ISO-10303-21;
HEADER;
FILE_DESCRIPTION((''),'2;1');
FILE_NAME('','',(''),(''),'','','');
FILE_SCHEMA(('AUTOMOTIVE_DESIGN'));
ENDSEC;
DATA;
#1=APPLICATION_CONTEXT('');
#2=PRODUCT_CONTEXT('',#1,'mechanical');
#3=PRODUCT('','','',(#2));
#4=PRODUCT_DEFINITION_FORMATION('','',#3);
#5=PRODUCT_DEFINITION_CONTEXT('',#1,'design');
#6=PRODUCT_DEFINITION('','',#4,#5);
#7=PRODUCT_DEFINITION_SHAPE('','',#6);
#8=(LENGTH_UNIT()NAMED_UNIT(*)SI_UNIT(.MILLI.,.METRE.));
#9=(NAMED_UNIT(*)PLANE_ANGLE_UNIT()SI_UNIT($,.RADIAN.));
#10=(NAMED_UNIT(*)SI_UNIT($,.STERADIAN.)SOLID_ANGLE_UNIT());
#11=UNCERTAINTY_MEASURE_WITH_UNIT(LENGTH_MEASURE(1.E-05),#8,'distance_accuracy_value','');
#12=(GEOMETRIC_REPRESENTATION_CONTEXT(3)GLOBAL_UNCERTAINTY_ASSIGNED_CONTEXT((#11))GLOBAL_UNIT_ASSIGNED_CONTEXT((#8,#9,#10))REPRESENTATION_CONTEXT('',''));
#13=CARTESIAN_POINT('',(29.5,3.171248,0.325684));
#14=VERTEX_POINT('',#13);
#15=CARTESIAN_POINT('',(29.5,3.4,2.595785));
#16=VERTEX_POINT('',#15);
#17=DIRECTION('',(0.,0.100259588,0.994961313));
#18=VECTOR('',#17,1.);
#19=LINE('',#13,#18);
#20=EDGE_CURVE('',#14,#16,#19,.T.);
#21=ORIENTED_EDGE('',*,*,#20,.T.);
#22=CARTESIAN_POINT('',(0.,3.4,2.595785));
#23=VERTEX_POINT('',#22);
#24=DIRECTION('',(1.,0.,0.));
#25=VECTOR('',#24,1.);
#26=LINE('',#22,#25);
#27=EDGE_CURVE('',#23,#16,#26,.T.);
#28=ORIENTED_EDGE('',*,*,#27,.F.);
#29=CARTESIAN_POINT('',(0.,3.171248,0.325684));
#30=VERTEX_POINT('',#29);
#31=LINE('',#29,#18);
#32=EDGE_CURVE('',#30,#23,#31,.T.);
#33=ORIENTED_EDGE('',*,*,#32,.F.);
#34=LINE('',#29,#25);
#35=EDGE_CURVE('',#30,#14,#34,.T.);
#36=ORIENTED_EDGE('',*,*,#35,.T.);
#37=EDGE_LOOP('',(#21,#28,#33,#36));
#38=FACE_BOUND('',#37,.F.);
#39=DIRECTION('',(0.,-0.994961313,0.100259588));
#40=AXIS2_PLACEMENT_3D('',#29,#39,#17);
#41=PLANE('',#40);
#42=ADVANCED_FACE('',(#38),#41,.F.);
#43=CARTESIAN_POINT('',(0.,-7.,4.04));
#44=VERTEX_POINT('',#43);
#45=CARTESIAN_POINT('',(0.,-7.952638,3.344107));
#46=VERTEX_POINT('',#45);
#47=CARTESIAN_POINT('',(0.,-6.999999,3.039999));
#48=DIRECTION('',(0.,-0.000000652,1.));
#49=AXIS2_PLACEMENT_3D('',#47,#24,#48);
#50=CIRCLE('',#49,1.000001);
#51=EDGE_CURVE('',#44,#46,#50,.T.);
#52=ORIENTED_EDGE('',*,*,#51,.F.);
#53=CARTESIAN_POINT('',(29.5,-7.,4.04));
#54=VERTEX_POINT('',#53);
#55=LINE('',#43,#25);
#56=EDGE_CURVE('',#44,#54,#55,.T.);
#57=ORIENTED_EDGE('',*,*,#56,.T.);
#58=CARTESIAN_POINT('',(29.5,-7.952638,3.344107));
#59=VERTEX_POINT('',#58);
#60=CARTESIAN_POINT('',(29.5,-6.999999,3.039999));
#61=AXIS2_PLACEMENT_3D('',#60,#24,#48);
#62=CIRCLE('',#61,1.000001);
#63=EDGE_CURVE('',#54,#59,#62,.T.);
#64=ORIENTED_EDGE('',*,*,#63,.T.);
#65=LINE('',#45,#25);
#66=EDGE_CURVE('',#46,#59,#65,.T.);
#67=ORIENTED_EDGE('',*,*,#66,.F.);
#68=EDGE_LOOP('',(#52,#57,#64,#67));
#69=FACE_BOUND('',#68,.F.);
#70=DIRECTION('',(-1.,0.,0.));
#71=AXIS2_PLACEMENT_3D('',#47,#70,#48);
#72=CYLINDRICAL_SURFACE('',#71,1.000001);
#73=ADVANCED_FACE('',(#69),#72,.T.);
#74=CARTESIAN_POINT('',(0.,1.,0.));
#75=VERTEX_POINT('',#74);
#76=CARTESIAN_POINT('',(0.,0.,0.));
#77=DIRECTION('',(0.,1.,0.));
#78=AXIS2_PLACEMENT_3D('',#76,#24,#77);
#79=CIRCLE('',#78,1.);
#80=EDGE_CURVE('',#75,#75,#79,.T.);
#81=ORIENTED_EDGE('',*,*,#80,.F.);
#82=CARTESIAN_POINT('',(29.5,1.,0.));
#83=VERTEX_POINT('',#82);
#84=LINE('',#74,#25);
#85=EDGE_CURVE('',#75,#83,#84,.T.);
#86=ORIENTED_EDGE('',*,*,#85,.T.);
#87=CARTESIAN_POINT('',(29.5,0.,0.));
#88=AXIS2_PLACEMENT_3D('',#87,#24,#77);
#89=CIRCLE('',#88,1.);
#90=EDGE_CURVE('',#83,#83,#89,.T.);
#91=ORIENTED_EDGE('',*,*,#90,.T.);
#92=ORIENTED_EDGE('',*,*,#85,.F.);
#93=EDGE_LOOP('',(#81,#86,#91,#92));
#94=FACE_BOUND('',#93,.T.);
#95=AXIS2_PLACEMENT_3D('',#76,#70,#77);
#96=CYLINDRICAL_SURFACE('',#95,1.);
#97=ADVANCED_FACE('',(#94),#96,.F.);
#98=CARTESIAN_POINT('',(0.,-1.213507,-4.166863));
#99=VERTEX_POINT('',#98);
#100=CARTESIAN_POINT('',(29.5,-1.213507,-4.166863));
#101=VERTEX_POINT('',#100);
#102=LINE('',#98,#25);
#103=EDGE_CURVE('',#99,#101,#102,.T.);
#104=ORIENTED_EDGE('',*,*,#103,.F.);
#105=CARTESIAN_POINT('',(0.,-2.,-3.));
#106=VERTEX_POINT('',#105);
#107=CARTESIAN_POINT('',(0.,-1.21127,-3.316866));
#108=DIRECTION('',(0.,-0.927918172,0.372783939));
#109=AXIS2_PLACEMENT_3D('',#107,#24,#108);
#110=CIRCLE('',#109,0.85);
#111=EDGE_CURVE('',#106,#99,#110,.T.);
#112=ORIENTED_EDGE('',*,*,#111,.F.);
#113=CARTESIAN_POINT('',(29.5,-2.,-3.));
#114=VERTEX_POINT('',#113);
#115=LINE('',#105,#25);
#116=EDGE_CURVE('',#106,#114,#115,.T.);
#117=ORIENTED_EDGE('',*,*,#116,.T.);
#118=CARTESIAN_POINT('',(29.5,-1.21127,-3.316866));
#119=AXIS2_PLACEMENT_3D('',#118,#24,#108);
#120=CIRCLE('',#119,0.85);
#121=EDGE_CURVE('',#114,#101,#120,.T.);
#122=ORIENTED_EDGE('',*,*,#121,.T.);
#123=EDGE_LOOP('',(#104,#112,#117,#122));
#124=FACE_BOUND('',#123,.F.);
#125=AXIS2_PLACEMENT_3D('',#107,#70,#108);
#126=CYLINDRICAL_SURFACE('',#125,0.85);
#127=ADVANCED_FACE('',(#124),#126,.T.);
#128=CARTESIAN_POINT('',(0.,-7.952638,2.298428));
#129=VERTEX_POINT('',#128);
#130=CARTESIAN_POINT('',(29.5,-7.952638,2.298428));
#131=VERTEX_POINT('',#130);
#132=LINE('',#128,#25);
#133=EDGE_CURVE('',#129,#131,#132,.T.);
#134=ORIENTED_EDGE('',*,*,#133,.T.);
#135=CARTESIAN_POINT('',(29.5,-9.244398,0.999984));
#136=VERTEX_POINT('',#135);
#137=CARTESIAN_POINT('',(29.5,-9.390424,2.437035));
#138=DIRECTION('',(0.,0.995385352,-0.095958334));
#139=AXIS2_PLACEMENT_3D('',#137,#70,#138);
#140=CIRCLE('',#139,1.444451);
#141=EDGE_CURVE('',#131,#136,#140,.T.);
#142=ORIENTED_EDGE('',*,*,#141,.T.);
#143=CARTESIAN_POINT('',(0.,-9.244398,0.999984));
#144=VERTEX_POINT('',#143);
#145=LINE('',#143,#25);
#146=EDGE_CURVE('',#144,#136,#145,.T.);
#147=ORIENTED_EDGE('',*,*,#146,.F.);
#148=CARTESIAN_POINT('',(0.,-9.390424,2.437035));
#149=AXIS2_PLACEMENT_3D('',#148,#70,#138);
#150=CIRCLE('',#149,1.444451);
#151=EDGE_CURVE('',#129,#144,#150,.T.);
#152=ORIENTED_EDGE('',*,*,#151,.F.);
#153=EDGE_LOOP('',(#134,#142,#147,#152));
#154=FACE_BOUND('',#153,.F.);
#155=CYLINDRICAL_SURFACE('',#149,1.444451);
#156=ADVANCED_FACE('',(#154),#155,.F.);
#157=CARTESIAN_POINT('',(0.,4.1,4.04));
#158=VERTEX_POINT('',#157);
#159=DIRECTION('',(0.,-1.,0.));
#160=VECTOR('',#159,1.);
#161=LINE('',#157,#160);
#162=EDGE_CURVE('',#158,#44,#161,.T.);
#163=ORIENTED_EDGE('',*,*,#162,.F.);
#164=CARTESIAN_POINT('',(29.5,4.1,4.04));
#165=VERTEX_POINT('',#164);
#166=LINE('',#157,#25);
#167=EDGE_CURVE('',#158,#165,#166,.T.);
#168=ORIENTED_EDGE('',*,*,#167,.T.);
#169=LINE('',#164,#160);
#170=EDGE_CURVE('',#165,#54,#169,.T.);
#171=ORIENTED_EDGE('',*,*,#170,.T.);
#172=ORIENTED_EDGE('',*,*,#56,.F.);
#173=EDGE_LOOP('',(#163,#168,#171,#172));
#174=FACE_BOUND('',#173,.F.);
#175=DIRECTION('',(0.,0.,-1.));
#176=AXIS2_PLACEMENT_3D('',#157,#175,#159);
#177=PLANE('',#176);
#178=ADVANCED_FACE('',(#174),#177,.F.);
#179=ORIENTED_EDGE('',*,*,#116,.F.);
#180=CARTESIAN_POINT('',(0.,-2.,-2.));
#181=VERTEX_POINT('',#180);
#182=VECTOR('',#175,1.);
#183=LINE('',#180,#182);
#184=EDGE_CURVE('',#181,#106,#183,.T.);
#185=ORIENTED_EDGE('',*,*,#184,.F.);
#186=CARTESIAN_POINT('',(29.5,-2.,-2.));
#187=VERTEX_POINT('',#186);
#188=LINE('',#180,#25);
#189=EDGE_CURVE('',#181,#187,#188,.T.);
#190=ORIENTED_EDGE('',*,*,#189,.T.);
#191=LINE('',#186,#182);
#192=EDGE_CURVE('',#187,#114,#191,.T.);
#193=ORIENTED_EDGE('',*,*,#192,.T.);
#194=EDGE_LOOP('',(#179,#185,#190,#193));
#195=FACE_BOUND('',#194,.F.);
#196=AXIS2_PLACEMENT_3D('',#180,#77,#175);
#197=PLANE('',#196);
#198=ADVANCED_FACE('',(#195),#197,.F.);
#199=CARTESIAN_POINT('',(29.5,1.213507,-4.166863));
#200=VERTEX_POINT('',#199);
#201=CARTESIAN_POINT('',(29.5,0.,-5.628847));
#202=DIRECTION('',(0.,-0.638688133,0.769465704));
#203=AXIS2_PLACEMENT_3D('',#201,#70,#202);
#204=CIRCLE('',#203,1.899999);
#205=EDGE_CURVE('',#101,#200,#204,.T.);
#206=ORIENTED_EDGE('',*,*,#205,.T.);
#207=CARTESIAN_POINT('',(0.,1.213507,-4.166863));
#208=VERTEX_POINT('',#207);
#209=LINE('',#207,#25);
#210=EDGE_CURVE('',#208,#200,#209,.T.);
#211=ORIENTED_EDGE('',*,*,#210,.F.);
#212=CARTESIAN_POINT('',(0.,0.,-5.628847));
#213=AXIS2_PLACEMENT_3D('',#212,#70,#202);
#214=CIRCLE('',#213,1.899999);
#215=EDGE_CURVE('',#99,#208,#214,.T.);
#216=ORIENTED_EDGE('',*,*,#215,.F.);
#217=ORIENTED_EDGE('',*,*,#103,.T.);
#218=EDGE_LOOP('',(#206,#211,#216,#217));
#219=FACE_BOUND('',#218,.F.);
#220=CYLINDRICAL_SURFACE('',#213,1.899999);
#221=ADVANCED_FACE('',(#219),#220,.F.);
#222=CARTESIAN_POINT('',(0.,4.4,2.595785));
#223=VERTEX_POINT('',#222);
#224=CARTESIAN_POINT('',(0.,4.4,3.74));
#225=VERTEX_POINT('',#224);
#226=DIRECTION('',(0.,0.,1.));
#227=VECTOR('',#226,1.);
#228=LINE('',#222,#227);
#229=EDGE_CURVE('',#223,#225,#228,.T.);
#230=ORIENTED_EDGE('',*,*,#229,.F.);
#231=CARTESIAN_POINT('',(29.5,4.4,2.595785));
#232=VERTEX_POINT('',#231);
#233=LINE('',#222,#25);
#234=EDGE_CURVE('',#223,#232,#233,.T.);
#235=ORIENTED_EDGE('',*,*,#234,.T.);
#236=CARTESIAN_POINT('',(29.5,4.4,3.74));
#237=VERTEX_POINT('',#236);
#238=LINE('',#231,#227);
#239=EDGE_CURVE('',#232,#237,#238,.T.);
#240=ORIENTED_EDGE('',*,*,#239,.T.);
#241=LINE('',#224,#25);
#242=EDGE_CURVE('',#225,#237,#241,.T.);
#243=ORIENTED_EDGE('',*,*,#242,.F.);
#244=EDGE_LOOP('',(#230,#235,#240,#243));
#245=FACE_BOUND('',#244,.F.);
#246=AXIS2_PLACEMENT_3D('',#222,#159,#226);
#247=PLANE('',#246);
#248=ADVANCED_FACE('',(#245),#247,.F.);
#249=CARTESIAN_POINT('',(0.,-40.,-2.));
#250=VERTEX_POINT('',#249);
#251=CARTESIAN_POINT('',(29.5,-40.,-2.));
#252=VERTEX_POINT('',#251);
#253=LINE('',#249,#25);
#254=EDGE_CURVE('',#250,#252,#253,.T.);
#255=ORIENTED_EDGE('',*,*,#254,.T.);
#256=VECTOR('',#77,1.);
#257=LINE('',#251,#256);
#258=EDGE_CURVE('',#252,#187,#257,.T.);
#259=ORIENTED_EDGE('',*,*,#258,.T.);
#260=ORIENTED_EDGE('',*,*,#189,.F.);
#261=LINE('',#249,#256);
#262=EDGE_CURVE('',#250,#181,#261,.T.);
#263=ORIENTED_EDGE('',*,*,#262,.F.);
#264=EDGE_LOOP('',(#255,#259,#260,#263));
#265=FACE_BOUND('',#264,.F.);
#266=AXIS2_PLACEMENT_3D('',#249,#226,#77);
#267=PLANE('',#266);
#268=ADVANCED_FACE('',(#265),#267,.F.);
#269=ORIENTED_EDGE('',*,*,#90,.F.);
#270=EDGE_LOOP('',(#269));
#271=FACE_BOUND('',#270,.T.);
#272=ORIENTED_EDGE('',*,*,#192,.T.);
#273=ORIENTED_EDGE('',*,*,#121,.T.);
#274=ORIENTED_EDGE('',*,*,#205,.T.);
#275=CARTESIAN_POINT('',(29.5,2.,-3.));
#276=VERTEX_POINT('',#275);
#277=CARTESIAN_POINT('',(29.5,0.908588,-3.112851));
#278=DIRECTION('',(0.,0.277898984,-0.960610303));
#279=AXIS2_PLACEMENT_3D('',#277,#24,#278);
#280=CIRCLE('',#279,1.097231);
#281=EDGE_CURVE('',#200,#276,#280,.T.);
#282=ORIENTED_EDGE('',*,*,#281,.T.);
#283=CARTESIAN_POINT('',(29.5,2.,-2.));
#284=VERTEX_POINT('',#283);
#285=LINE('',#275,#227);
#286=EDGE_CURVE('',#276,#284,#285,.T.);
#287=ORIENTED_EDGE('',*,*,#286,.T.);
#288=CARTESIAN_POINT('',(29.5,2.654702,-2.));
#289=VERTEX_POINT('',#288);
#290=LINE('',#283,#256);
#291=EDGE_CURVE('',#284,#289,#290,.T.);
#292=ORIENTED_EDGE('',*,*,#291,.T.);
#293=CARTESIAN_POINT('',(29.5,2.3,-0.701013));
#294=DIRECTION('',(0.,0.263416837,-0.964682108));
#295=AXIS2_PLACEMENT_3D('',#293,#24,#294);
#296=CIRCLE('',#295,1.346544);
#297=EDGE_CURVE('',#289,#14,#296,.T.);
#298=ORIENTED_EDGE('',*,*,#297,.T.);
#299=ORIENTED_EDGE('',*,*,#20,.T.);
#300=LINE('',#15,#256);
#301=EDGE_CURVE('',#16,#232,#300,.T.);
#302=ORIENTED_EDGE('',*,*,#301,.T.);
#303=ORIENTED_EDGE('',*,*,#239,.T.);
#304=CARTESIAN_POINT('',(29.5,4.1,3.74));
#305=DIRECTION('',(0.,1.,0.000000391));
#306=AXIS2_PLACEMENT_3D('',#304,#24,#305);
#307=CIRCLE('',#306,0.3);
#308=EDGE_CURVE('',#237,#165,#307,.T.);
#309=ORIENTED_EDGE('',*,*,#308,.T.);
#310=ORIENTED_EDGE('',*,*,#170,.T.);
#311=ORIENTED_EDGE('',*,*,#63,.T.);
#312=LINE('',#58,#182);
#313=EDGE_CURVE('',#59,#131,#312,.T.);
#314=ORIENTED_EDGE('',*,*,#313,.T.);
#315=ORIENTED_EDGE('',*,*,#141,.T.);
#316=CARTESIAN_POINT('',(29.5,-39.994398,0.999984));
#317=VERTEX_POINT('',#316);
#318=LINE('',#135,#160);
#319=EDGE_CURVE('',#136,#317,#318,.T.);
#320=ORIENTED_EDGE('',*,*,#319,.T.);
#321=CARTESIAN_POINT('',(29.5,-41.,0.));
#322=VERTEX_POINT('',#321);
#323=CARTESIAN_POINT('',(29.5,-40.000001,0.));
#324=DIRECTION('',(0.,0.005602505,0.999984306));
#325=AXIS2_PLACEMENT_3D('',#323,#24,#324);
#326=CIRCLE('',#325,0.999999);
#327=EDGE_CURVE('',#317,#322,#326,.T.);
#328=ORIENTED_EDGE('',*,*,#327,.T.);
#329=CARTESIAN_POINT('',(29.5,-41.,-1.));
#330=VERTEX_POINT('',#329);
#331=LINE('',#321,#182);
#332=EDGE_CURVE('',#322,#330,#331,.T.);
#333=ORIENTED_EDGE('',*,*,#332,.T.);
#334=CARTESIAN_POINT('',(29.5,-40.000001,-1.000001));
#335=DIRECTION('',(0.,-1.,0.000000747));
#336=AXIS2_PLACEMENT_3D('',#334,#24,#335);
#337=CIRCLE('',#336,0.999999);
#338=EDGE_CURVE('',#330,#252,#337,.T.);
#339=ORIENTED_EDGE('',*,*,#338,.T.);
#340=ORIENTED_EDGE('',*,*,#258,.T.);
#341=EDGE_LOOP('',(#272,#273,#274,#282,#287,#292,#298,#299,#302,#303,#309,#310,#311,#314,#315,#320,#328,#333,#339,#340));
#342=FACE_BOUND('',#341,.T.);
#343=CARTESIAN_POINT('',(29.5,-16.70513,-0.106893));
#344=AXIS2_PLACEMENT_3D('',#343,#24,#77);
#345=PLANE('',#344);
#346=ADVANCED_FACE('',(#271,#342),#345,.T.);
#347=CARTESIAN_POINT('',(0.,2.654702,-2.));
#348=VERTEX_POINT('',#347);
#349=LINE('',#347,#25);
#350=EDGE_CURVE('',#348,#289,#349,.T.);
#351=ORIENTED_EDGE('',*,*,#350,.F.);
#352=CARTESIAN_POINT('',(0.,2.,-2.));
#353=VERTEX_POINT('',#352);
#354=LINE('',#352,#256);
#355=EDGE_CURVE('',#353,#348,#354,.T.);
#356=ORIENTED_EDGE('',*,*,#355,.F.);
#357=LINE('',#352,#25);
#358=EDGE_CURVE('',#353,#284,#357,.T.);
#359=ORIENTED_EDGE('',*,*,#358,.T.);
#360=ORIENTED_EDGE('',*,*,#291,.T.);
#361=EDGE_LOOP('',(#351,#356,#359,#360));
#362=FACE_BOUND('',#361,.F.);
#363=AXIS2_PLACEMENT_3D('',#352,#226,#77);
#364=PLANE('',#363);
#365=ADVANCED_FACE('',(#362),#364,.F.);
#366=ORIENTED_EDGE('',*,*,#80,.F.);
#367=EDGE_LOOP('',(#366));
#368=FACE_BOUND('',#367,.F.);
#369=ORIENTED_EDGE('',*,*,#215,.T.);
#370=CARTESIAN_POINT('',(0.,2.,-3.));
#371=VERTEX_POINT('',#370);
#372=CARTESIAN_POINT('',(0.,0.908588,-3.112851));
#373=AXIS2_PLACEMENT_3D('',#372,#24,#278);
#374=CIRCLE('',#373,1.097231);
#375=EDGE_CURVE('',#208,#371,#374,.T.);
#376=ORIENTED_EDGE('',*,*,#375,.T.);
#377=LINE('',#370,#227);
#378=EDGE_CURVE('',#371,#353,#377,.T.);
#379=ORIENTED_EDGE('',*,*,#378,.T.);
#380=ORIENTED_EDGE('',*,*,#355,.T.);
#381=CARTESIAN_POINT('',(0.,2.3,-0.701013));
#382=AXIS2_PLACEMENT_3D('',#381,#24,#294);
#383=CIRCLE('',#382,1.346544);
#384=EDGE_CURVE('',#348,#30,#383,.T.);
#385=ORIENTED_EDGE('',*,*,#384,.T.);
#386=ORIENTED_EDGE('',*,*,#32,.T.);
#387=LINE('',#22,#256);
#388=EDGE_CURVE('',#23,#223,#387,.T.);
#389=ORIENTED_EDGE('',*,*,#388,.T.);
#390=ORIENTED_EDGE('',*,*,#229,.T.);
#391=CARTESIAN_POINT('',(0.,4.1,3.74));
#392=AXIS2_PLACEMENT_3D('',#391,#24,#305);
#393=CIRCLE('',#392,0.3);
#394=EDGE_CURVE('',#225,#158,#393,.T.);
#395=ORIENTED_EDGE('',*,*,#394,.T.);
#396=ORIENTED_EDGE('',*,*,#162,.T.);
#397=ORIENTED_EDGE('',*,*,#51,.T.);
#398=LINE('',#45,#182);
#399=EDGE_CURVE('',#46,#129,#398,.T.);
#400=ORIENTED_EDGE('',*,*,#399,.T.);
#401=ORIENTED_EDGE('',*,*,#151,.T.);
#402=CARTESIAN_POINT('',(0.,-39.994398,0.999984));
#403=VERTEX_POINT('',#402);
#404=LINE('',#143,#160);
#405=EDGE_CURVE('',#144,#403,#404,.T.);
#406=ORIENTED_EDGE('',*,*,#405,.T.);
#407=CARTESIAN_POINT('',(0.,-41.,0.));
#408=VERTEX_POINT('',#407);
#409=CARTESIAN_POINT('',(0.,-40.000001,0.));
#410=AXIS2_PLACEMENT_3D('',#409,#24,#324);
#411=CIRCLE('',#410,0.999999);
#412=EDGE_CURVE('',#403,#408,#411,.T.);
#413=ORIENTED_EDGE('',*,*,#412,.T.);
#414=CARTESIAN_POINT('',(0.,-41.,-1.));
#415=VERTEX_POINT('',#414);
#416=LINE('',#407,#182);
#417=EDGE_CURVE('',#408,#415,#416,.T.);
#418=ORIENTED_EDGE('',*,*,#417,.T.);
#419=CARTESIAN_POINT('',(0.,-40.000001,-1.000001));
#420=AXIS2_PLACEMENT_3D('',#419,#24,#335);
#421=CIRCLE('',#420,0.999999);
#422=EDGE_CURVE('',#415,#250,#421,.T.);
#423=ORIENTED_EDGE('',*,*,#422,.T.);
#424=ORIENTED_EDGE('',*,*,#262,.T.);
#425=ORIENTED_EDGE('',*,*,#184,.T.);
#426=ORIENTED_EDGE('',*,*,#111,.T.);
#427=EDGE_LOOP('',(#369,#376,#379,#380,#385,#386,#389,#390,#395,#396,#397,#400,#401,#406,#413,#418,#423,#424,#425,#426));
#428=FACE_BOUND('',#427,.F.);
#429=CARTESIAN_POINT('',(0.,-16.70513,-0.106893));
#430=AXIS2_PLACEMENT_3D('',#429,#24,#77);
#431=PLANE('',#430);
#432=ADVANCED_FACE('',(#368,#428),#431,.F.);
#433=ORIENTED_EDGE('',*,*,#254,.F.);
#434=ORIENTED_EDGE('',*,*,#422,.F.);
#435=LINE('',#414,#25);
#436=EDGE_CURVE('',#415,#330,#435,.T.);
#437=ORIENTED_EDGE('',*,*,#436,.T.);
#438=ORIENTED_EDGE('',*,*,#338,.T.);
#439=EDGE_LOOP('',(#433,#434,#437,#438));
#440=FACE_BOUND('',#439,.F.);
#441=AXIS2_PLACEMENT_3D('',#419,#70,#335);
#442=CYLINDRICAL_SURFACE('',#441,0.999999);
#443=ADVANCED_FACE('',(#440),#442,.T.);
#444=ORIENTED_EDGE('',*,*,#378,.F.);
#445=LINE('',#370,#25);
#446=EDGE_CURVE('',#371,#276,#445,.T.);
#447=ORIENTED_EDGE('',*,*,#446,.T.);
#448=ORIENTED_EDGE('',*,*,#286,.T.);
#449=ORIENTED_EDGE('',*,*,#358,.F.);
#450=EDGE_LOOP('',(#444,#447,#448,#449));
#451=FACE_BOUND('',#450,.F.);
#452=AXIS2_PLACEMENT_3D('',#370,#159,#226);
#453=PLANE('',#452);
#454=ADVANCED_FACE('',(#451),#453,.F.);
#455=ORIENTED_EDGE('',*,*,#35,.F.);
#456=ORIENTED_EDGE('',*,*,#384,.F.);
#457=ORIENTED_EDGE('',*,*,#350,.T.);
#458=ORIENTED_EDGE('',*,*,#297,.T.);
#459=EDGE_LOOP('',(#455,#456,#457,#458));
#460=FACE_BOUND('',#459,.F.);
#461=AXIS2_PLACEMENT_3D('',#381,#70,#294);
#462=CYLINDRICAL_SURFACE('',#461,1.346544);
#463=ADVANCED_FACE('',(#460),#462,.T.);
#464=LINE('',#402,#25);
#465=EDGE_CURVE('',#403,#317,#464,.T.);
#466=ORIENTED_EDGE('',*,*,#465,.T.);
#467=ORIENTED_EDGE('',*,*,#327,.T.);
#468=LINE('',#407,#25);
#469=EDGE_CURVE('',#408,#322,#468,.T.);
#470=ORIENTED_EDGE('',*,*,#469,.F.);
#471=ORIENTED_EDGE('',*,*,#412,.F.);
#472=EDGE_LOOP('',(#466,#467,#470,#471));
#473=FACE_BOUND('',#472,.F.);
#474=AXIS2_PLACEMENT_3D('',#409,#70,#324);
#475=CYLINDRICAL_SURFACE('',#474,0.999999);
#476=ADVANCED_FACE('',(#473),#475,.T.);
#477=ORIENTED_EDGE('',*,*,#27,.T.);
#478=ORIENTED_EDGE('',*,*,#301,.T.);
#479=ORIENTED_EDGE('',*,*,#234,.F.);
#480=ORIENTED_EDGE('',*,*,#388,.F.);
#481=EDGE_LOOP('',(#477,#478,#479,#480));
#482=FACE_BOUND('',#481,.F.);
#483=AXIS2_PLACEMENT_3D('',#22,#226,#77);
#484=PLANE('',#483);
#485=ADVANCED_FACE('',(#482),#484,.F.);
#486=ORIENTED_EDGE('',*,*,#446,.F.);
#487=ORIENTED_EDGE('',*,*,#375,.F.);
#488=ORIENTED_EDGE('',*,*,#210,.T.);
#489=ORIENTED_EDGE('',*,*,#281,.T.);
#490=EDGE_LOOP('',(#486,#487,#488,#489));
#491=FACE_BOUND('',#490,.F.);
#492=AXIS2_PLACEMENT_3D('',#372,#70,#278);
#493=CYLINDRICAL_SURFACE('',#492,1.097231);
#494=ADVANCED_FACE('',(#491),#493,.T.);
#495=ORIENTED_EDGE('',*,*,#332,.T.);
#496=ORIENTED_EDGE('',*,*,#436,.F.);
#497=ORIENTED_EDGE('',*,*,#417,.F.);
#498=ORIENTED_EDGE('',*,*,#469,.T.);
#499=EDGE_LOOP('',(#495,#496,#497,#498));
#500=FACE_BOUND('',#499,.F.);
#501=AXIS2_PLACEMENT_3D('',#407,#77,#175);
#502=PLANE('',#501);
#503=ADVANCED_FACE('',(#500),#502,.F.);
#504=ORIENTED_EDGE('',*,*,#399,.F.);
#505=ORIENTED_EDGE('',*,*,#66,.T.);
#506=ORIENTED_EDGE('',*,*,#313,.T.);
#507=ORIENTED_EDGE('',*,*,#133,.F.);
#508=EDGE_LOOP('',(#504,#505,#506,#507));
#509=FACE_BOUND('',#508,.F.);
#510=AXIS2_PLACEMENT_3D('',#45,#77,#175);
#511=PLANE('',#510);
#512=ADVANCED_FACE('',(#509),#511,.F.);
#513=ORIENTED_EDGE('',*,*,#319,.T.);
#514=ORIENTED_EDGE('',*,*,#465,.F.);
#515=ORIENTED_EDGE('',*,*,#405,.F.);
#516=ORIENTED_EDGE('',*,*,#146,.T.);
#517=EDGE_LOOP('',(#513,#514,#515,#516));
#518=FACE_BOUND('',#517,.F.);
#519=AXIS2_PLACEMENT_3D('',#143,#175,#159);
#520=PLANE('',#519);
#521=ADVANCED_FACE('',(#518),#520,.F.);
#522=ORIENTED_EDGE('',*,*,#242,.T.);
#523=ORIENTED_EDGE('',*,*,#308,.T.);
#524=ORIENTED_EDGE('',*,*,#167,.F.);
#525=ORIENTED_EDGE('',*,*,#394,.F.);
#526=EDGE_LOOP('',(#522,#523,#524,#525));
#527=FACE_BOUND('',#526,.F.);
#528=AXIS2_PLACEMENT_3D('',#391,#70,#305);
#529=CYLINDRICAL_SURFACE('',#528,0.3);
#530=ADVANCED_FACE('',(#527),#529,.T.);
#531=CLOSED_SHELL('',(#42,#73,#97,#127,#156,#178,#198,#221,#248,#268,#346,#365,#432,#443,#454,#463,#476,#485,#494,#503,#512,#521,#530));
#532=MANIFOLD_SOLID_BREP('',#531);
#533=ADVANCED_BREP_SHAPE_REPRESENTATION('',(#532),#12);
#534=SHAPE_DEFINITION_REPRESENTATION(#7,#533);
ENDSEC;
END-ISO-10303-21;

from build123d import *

# Parameters (mm, degrees)
SKETCH_R  = 1
PAD_DEPTH = 29.5


with BuildPart() as part:
    # Sketch → Pad (new body)
    with BuildSketch(Plane.YZ):
        with BuildLine():
            ThreePointArc((-39.994398, 0.999984), (-40.705123, 0.709085), (-41, 0))
            Line((-41, 0), (-41, -1))
            ThreePointArc((-41, -1), (-40.707107, -1.707107), (-40, -2))
            Line((-40, -2), (-2, -2))
            Line((-2, -2), (-2, -3))
            ThreePointArc((-2, -3), (-1.91611, -3.791945), (-1.213507, -4.166863))
            ThreePointArc((-1.213507, -4.166863), (0, -3.728848), (1.213507, -4.166863))
            ThreePointArc((1.213507, -4.166863), (1.818438, -3.726112), (2, -3))
            Line((2, -3), (2, -2))
            Line((2, -2), (2.654702, -2))
            ThreePointArc((2.654702, -2), (3.614511, -0.992973), (3.171248, 0.325684))
            Line((3.171248, 0.325684), (3.4, 2.595785))
            Line((3.4, 2.595785), (4.4, 2.595785))
            Line((4.4, 2.595785), (4.4, 3.74))
            ThreePointArc((4.4, 3.74), (4.312132, 3.952132), (4.1, 4.04))
            Line((4.1, 4.04), (-7, 4.04))
            ThreePointArc((-7, 4.04), (-7.58987, 3.847498), (-7.952638, 3.344107))
            Line((-7.952638, 3.344107), (-7.952638, 2.298428))
            ThreePointArc((-7.952638, 2.298428), (-8.36641, 1.418293), (-9.244398, 0.999984))
            Line((-9.244398, 0.999984), (-39.994398, 0.999984))
        make_face()
        Circle(SKETCH_R, mode=Mode.SUBTRACT)
    extrude(amount=PAD_DEPTH)


solid = part.part
